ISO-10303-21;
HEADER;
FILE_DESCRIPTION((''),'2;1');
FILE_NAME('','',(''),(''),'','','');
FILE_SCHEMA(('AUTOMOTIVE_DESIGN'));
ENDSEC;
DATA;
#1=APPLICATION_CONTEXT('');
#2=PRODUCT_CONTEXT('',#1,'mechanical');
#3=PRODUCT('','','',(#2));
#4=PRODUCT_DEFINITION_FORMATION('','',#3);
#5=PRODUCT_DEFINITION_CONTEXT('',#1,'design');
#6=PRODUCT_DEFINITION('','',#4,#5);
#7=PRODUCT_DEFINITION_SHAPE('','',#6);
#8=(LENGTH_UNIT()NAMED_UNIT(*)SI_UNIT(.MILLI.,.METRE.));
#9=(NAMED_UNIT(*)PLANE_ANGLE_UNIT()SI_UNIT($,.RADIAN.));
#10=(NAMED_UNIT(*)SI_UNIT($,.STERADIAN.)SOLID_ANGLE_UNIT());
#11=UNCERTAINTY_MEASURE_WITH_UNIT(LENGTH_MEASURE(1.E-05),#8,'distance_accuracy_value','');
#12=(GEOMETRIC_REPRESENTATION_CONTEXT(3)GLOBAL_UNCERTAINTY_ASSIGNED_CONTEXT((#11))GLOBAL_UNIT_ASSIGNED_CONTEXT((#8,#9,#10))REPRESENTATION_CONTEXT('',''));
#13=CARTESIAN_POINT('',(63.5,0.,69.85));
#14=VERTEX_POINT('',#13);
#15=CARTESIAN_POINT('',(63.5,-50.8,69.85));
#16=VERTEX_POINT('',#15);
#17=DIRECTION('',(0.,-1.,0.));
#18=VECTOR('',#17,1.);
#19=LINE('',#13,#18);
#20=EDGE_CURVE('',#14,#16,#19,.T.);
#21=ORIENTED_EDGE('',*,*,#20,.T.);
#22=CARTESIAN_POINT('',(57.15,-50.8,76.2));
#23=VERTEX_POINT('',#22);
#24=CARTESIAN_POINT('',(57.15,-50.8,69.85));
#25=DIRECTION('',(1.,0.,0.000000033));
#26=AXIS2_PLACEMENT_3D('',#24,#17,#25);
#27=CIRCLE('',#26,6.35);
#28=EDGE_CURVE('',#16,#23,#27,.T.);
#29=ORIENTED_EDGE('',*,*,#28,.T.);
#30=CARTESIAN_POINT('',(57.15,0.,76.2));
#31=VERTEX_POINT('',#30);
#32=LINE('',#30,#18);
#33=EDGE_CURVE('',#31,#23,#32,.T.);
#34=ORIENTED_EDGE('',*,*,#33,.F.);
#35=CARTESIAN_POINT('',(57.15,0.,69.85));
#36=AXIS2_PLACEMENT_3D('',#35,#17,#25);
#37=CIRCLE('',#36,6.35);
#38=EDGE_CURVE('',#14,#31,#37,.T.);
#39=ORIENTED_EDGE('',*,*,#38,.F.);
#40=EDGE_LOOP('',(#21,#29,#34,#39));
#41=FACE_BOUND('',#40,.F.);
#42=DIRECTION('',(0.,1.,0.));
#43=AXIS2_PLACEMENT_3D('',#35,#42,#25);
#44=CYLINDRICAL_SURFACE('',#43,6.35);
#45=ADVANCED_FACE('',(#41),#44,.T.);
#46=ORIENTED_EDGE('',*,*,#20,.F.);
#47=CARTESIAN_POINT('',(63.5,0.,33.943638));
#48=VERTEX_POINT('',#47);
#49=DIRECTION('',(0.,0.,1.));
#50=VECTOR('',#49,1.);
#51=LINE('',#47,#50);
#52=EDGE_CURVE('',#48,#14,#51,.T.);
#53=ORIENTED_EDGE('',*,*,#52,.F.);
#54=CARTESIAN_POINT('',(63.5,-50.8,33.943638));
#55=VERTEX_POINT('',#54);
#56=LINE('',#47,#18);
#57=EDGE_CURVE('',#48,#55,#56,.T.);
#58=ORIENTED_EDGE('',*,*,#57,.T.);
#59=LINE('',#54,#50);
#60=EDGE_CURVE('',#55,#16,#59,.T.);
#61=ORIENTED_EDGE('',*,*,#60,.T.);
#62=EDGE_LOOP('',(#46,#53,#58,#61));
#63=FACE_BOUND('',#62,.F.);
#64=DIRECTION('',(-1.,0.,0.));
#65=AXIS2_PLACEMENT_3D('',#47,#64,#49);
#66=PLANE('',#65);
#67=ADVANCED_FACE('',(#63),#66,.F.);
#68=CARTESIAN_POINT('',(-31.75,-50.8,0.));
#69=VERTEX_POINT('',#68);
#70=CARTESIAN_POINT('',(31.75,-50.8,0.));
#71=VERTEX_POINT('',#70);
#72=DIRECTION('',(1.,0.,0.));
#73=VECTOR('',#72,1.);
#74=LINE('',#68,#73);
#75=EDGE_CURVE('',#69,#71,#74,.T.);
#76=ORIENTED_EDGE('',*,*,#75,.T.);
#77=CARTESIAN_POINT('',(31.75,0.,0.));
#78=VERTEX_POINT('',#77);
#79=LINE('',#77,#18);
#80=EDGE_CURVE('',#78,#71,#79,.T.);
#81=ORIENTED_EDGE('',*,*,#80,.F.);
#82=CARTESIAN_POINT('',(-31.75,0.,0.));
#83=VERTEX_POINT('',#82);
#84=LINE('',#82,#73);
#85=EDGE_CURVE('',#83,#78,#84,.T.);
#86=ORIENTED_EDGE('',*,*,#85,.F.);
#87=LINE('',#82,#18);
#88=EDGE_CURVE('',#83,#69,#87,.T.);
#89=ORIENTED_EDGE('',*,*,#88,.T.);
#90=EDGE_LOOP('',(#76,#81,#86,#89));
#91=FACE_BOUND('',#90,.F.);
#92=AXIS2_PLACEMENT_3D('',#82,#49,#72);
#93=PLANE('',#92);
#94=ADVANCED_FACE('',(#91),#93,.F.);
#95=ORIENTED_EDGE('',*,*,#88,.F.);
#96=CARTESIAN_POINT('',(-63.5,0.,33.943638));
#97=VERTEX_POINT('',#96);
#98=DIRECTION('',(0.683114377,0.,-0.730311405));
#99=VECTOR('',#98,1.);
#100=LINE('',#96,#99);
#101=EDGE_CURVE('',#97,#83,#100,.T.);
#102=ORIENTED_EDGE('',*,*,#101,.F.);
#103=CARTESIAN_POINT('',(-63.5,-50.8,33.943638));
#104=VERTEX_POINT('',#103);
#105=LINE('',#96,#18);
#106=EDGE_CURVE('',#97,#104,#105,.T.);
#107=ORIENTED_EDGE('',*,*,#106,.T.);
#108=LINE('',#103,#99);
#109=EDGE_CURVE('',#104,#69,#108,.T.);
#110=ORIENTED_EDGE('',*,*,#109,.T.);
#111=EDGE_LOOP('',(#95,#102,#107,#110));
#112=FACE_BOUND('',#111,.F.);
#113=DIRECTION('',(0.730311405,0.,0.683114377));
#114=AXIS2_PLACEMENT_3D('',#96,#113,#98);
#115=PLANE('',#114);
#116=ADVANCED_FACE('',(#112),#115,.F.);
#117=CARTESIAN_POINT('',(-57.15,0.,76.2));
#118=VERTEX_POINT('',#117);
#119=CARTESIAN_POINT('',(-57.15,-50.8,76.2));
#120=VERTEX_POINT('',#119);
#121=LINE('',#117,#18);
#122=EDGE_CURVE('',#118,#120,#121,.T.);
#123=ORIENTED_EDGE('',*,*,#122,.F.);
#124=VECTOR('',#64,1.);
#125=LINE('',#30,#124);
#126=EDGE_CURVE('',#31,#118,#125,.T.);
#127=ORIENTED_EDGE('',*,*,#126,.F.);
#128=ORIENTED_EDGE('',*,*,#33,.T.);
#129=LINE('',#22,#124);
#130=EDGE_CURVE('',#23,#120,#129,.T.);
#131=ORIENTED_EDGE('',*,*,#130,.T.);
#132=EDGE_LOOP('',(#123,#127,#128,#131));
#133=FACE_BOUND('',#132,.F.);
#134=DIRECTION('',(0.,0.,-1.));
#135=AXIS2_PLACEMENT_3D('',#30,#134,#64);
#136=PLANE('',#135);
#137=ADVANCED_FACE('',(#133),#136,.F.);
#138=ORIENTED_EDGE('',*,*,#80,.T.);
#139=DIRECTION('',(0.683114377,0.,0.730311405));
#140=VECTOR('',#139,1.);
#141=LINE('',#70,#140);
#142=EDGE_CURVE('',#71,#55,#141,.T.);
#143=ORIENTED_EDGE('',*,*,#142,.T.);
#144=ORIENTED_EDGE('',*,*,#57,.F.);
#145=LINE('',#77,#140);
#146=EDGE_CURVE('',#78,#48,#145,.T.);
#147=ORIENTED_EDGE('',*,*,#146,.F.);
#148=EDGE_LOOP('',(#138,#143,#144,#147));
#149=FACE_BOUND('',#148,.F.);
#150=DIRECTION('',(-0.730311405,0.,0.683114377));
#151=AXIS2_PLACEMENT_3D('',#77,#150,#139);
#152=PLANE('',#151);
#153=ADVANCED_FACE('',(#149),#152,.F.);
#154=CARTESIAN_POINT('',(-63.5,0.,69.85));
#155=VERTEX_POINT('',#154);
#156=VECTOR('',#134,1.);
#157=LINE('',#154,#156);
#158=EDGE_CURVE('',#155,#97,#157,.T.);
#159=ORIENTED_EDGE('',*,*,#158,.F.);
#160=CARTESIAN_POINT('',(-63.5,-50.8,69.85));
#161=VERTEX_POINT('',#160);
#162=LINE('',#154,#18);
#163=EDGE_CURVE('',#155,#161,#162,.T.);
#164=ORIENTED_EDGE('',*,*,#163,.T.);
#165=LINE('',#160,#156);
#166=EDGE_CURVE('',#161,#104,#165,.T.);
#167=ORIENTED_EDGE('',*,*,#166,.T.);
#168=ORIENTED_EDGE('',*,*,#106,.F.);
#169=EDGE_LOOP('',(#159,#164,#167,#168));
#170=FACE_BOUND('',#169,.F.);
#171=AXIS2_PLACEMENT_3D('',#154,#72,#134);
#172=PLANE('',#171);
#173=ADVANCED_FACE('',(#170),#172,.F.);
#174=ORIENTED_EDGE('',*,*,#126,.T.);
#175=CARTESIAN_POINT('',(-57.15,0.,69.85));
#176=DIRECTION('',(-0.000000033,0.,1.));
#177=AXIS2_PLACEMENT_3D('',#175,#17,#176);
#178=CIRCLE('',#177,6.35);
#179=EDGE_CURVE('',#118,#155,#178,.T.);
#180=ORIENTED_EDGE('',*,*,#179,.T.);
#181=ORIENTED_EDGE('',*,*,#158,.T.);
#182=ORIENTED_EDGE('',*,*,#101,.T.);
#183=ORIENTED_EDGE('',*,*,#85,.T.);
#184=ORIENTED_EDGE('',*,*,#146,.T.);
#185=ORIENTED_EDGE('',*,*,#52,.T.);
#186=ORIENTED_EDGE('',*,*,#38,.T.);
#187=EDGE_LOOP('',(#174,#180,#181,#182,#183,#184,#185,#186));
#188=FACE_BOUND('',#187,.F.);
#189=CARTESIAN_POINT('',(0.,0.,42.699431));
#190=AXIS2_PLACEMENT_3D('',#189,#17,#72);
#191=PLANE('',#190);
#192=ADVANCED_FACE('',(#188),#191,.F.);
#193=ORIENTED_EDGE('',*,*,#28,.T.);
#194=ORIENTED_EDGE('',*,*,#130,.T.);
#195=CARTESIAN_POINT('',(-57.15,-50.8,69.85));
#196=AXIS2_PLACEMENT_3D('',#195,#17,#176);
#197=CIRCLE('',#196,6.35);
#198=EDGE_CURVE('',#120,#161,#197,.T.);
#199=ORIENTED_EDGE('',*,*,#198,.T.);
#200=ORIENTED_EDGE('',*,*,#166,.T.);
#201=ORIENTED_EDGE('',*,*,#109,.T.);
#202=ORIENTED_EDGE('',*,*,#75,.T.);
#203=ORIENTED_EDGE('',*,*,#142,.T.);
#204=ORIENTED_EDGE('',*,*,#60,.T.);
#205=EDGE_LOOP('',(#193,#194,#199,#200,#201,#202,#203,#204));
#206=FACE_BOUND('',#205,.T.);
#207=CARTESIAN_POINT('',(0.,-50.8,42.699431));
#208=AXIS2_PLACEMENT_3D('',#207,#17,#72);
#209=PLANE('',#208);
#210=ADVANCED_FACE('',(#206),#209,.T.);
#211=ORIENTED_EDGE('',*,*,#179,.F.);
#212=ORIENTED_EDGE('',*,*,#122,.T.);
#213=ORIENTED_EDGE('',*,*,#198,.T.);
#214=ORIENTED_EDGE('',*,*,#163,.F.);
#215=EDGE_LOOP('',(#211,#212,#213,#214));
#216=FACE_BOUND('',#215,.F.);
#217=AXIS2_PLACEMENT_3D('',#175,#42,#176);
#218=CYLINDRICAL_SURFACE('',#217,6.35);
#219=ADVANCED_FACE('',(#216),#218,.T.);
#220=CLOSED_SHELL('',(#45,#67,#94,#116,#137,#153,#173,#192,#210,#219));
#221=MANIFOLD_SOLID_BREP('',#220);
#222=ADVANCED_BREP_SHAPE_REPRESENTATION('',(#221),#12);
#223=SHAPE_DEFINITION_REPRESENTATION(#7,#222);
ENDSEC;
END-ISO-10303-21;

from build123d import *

# Parameters (mm, degrees)
F1_DEPTH = 50.8


with BuildPart() as f1:
    # F0 (on Front) → F1 (new body)
    with BuildSketch(Plane.XZ):
        with BuildLine():
            Line((-31.75, 0), (0, 0))
            Line((0, 0), (31.75, 0))
            Line((31.75, 0), (63.5, 33.943638))
            Line((63.5, 33.943638), (63.5, 69.85))
            ThreePointArc((63.5, 69.85), (61.640128, 74.340128), (57.15, 76.2))
            Line((57.15, 76.2), (0, 76.2))
            Line((0, 76.2), (-57.15, 76.2))
            ThreePointArc((-57.15, 76.2), (-61.640128, 74.340128), (-63.5, 69.85))
            Line((-63.5, 69.85), (-63.5, 33.943638))
            Line((-63.5, 33.943638), (-31.75, 0))
        make_face()
    extrude(amount=F1_DEPTH)


solid = f1.part
